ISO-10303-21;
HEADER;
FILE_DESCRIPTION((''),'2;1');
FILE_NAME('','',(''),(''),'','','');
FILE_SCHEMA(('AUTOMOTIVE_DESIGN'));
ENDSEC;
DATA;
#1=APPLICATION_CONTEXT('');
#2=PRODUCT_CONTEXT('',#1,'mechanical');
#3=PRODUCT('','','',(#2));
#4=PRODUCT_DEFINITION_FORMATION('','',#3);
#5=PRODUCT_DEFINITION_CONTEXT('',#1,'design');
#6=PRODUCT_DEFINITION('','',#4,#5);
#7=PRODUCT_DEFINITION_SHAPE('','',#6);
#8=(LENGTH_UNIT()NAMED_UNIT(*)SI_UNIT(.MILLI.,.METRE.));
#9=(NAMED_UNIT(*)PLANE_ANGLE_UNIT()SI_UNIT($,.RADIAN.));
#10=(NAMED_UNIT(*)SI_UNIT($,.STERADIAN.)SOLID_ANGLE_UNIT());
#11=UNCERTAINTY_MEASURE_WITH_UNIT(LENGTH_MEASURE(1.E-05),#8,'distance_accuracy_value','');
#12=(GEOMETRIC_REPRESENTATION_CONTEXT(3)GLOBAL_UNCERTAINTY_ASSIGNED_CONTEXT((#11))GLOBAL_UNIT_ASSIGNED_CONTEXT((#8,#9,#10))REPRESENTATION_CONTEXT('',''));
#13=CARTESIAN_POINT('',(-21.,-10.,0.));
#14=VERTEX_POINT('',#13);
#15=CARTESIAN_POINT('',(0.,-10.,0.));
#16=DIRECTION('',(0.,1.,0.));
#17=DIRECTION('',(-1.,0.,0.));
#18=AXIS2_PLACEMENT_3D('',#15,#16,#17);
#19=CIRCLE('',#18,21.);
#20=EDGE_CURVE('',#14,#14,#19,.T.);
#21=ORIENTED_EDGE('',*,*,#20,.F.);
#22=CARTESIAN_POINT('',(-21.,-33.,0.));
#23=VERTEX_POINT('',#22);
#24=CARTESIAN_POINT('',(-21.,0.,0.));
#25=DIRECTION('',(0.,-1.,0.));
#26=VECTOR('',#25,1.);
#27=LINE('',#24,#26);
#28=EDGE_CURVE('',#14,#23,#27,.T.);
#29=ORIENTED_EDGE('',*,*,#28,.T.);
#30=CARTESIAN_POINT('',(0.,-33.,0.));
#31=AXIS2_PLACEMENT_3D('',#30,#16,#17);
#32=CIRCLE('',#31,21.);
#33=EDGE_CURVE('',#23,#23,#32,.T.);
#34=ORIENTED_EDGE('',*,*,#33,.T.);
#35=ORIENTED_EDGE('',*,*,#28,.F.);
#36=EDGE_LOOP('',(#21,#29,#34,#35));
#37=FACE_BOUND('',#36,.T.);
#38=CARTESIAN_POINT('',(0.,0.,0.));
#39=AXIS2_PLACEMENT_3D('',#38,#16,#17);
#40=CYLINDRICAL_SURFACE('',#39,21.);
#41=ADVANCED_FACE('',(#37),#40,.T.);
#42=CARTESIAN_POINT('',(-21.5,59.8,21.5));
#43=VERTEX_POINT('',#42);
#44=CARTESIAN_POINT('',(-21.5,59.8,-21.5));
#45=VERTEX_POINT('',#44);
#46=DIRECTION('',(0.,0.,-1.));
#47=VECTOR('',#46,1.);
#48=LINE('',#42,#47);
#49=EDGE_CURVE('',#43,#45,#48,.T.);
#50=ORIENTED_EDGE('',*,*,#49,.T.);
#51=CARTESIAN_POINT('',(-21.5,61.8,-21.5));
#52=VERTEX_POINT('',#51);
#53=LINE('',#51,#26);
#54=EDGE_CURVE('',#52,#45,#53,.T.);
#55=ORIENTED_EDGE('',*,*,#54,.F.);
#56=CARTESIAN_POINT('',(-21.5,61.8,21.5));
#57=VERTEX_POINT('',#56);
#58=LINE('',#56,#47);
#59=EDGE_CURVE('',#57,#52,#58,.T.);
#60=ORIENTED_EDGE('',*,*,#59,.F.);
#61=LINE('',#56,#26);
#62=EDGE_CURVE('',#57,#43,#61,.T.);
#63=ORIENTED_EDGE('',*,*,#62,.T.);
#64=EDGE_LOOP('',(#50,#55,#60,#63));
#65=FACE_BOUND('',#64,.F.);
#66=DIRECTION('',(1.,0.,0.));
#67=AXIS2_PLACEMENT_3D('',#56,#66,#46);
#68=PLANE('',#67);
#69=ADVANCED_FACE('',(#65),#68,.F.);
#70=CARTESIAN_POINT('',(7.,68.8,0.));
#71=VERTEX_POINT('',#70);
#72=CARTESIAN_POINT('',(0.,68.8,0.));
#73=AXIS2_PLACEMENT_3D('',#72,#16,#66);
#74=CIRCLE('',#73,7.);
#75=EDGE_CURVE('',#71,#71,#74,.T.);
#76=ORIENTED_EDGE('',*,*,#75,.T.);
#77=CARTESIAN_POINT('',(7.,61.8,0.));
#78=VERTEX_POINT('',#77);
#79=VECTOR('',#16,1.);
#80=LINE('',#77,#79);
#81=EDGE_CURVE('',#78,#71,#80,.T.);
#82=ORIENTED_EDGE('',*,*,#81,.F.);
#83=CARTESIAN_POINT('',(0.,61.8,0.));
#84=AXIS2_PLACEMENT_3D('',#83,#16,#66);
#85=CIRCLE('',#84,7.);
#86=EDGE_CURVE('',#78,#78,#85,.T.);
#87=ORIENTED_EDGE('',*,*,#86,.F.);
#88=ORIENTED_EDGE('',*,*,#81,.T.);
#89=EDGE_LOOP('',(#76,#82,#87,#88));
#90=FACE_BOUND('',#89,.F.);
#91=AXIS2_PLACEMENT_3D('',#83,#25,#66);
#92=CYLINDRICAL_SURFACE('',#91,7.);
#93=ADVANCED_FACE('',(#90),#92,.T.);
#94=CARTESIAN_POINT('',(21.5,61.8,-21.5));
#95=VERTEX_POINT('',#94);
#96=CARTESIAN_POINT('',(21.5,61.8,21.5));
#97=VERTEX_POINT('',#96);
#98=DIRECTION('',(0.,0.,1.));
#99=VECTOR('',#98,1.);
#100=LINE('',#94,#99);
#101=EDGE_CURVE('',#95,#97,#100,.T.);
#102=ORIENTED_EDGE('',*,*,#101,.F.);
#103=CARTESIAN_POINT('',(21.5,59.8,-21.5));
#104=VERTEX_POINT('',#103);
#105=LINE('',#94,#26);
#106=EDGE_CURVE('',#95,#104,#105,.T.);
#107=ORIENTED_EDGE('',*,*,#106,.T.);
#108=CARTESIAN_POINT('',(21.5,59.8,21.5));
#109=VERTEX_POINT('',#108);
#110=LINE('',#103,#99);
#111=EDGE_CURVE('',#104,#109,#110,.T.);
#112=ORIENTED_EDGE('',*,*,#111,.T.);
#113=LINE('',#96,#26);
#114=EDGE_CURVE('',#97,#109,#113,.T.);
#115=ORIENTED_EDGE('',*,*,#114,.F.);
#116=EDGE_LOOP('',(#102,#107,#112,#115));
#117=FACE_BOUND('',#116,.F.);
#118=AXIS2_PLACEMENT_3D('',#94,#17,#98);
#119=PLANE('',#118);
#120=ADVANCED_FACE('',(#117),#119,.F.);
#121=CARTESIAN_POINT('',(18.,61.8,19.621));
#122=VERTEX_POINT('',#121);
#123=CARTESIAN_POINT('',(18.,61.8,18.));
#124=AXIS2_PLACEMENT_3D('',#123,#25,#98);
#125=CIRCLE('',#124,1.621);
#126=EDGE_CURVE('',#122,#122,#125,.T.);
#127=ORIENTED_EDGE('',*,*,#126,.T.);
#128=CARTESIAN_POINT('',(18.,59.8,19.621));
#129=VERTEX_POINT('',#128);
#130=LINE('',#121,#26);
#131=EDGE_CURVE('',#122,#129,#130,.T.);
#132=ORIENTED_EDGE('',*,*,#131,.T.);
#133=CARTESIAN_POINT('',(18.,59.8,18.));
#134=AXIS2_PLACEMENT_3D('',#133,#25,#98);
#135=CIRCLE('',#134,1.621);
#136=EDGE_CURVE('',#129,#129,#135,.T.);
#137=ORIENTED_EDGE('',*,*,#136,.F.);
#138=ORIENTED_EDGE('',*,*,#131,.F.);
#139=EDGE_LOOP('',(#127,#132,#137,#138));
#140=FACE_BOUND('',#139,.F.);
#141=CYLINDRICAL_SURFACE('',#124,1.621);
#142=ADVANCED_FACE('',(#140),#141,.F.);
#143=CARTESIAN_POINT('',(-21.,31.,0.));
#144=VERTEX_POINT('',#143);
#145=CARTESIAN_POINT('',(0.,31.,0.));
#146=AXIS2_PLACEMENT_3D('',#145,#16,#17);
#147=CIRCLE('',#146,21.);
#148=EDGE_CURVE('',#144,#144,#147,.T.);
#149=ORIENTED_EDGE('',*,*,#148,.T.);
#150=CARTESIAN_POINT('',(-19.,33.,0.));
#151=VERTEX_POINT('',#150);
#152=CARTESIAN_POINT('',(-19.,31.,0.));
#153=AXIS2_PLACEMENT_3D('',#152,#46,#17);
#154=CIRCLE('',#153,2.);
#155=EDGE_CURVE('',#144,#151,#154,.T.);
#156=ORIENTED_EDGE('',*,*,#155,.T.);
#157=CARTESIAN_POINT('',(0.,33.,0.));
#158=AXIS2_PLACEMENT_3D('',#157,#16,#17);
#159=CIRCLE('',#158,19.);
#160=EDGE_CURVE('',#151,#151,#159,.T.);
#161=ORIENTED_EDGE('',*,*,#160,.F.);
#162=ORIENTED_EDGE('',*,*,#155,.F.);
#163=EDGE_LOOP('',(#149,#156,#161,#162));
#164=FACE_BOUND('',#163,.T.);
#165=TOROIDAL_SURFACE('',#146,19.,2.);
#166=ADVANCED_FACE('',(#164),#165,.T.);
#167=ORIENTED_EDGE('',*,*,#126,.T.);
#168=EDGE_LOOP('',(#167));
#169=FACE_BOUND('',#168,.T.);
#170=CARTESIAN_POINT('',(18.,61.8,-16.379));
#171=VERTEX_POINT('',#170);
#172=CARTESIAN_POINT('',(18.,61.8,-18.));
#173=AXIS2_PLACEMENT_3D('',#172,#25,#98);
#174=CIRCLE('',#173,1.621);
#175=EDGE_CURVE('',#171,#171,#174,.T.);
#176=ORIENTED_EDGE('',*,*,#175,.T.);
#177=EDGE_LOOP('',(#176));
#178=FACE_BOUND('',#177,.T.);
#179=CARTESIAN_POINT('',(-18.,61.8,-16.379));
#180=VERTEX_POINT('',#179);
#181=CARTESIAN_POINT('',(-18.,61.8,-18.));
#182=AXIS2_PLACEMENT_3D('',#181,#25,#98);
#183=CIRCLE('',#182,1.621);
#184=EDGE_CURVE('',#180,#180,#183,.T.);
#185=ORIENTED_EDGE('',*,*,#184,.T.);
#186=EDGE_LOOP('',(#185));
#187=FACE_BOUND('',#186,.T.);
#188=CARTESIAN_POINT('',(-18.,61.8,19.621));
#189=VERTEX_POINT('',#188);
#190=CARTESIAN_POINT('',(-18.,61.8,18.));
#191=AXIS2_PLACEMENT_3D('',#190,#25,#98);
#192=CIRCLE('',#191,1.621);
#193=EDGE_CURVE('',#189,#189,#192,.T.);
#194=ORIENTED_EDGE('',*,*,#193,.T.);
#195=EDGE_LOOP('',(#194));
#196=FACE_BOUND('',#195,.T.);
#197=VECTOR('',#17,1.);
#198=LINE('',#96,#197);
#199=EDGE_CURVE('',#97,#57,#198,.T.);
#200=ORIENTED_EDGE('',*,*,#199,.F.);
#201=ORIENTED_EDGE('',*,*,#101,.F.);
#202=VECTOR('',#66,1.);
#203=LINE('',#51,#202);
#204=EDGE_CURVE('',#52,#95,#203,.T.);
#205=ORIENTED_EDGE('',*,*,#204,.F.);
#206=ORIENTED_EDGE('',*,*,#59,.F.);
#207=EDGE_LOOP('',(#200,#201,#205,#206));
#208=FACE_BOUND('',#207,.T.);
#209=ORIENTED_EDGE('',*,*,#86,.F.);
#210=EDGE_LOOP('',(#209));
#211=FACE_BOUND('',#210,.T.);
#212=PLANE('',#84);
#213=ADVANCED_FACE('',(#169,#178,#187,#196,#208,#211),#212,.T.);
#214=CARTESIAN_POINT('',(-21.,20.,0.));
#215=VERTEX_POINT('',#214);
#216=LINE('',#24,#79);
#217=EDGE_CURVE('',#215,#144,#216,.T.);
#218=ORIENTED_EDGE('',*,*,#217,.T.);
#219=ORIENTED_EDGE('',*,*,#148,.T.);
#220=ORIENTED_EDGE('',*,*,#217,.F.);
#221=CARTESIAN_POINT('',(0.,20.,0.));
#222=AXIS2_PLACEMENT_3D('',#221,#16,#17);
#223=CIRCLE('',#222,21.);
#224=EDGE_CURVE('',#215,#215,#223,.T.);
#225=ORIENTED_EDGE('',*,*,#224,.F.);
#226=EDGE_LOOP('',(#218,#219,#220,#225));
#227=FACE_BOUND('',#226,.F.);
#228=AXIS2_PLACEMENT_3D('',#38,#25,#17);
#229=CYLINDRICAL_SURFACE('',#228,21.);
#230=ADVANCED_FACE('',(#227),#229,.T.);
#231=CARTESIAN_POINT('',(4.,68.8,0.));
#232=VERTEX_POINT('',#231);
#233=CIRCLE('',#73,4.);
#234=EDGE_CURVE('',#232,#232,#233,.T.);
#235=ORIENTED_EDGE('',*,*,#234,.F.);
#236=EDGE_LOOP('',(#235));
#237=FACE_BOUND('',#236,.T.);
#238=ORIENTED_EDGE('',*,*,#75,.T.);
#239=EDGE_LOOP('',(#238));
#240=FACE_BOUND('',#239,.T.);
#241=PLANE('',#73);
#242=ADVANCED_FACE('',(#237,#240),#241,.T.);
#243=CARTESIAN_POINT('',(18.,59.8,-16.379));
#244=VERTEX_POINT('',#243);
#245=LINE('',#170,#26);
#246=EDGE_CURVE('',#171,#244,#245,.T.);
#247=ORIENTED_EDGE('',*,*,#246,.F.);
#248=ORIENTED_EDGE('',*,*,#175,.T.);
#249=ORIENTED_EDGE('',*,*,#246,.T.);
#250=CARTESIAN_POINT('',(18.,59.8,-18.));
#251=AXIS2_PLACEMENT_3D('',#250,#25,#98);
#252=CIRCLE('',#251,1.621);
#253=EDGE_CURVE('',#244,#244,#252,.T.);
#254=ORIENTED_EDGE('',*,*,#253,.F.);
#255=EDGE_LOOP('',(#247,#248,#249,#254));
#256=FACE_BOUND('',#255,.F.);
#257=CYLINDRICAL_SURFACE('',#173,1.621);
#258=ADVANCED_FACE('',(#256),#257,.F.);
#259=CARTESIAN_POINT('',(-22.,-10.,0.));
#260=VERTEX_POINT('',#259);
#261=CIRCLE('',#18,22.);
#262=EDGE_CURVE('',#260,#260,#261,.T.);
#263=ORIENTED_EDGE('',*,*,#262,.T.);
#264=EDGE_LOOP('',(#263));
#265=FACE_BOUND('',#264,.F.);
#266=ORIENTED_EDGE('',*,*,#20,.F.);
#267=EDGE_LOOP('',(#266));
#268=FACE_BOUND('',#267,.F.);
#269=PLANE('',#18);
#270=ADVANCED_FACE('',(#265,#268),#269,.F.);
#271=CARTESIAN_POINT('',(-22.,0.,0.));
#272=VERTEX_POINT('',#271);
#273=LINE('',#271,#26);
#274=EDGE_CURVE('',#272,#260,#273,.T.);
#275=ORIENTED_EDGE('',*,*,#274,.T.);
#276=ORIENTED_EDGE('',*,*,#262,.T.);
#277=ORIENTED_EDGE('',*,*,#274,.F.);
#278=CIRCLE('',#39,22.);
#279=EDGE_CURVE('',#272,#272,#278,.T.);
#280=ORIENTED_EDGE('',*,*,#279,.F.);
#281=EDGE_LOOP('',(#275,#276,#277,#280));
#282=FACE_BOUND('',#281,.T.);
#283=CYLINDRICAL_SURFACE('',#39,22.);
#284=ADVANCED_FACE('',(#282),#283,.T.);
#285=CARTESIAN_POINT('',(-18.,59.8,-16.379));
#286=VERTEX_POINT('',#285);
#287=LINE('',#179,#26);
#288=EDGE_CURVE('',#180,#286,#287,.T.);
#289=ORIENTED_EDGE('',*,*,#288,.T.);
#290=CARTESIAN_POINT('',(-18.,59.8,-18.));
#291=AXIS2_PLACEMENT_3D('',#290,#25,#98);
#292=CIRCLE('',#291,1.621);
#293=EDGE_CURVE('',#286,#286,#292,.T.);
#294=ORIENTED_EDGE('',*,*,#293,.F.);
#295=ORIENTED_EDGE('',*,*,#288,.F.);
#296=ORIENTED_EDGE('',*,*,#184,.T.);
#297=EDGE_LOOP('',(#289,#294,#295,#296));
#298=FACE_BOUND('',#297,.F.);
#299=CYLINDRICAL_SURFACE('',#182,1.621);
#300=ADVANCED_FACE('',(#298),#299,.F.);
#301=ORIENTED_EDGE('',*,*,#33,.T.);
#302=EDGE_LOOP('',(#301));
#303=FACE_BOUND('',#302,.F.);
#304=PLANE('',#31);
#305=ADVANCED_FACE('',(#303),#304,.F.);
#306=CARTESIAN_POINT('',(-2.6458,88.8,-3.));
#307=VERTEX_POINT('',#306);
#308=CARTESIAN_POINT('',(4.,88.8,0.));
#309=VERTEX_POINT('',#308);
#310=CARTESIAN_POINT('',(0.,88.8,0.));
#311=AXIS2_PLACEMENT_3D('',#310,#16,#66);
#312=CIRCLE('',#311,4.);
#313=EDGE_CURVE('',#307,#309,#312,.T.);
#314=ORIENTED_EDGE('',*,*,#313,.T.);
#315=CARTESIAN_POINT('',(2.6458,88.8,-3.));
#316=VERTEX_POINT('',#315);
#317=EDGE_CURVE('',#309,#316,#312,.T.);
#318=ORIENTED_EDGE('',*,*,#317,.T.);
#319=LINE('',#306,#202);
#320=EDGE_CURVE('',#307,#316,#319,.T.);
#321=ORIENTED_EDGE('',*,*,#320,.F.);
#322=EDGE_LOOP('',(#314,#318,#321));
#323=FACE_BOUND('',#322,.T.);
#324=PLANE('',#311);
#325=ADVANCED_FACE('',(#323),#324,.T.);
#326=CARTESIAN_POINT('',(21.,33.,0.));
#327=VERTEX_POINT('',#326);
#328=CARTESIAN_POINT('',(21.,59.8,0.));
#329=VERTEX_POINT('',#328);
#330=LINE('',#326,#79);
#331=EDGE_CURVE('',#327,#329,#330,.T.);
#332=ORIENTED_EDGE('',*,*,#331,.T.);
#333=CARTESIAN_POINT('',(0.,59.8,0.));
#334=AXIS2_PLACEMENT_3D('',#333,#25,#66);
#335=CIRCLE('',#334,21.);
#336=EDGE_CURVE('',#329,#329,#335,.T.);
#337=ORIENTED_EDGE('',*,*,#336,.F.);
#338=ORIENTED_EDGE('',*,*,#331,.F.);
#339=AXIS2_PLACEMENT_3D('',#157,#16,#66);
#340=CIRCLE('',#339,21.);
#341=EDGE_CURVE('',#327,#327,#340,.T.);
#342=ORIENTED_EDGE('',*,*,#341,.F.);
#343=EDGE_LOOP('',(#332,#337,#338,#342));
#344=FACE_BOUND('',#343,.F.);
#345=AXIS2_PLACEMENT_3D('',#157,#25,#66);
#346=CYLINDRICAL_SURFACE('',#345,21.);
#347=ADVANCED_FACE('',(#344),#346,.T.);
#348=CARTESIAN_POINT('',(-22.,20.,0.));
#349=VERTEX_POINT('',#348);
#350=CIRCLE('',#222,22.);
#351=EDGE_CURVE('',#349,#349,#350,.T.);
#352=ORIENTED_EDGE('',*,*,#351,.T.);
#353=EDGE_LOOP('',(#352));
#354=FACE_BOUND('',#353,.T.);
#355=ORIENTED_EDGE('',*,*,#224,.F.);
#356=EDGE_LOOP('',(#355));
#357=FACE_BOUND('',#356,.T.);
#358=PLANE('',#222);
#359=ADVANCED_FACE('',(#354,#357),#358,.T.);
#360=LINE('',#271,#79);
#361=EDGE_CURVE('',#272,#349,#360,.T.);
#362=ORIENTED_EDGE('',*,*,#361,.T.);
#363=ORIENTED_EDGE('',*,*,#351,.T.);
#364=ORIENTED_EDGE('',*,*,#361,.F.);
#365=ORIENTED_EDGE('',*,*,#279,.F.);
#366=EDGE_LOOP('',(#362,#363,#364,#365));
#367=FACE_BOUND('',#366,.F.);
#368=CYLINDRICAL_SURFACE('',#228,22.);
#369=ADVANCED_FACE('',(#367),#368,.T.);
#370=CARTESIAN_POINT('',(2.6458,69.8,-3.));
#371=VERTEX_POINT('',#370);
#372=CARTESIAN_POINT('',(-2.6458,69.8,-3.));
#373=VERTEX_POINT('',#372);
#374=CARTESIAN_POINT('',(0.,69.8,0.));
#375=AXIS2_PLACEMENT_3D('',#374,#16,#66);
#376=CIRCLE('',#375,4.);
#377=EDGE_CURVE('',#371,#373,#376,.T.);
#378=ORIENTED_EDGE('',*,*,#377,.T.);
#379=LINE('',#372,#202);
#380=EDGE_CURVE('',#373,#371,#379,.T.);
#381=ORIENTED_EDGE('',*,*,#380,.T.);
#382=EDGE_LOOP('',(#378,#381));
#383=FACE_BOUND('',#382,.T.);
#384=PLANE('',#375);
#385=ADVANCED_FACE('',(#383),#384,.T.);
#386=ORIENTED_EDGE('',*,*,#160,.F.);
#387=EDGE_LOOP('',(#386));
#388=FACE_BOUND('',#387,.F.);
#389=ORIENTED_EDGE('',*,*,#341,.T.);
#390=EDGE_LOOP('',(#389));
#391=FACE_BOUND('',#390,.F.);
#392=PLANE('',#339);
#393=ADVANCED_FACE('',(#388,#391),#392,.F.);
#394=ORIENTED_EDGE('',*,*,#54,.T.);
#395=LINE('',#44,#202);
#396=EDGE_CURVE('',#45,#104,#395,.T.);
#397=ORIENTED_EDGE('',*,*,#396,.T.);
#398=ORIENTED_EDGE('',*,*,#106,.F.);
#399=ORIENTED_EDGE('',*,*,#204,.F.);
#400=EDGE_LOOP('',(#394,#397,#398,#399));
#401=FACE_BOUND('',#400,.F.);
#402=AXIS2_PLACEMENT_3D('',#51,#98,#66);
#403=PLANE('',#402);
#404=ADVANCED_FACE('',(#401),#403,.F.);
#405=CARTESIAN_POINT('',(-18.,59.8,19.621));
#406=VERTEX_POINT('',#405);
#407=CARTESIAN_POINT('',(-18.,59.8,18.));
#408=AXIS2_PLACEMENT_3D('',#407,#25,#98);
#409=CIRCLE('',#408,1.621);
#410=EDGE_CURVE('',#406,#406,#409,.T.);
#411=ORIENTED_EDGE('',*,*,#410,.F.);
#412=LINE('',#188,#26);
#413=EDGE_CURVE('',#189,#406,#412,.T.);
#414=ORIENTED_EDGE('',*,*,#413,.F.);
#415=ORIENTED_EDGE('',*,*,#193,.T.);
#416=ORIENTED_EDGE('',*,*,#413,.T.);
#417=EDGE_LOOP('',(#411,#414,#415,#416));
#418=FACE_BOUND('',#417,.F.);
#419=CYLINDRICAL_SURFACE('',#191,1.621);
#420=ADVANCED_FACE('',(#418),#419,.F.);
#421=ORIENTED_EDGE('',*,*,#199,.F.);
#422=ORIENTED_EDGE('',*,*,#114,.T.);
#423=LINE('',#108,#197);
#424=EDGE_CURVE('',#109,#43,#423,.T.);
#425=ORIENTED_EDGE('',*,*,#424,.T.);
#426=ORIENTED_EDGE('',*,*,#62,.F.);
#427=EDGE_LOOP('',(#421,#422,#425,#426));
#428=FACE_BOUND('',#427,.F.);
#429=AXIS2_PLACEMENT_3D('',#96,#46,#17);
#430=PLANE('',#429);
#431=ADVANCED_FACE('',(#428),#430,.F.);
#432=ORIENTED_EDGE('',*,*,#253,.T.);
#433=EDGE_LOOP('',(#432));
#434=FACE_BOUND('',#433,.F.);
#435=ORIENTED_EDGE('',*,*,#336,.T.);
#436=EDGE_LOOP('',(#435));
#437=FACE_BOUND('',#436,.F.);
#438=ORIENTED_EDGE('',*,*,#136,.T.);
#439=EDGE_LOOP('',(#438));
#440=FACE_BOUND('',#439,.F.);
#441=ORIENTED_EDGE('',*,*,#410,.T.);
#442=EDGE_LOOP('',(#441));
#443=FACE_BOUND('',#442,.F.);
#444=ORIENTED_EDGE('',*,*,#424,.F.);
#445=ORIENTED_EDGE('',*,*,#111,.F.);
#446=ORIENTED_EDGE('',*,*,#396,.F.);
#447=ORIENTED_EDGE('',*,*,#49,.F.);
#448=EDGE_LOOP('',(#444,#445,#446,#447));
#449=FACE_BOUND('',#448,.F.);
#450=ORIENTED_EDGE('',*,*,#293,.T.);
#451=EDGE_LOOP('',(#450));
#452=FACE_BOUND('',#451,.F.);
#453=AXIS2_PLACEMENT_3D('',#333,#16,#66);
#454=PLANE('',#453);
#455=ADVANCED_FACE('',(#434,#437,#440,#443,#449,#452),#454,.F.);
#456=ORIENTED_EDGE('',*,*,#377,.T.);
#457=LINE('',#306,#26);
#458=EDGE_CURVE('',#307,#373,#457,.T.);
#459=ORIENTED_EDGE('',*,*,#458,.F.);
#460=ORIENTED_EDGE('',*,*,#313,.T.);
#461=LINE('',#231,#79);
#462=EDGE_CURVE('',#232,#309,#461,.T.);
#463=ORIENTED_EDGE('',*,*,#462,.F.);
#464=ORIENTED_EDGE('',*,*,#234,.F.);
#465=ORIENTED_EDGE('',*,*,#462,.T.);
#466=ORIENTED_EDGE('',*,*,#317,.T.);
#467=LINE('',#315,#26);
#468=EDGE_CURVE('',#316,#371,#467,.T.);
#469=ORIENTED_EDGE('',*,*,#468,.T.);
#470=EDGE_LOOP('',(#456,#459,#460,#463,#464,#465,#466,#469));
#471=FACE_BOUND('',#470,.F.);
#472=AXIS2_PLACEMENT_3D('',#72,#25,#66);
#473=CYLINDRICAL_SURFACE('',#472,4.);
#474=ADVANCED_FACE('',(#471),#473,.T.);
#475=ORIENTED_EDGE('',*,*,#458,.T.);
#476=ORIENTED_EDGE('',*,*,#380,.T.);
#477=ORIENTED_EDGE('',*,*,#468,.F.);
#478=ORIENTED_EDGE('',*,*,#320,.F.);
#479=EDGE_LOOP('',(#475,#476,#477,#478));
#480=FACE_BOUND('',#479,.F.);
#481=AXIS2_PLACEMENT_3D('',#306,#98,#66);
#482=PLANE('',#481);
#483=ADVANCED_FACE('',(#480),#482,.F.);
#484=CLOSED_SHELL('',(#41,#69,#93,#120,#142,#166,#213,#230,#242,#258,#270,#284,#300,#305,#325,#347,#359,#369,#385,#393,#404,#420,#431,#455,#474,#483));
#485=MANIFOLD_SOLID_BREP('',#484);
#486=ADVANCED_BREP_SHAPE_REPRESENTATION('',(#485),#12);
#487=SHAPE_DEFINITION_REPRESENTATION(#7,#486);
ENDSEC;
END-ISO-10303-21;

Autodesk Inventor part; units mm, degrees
ref_plane "YZ Plane" through (0, 0, 0) normal (1, 0, 0) x (0, 1, 0)
ref_plane "XZ Plane" through (0, 0, 0) normal (0, 1, 0) x (-1, 0, 0)
sketch "Sketch1" plane through (0, 0, 0) normal (0, 1, 0) x (-1, 0, 0)
  circle A0 centre (0, 0) radius 21
  circle A1 centre (0, 0) radius 22
  dimension "d0" = 42
  dimension "d105" = 44
extrude "Extrusion1" add sketch "Sketch1" along normal mid plane 66 contours A0
fillet "Fillet1" radius 2 1 edges at (21, 33, 0)
sketch "Sketch2" plane through (0, 33, 0) normal (0, 1, 0) x (1, 0, 0)
  circle A0 centre (0, 0) radius 21
  dimension "d4" = 42
extrude "Extrusion2" add sketch "Sketch2" along normal blind 28.8
sketch "Sketch14" plane through (0, 61.8, 0) normal (0, 1, 0) x (1, 0, 0)
  line L0 (-21.5, 21.5) -> (21.5, 21.5)
  line L1 (21.5, 21.5) -> (21.5, -21.5)
  line L2 (21.5, -21.5) -> (-21.5, -21.5)
  line L3 (-21.5, -21.5) -> (-21.5, 21.5)
  line L4 (-21.5, 21.5) -> (21.5, -21.5) construction
  line L5 (21.5, 21.5) -> (-21.5, -21.5) construction
  point P0 (0, 0)
  dimension "d81" = 43
  dimension "d82" = 43
extrude "Extrusion13" add sketch "Sketch14" against normal blind 2
sketch "Sketch15" plane through (0, 61.8, 0) normal (0, 1, 0) x (1, 0, 0)
  point P0 (0, 0)
  point P1 (-18, 18)
  point P2 (18, 18)
  point P3 (18, -18)
  point P4 (-18, -18)
  dimension "d85" = 36
  dimension "d86" = 36
  dimension "d87" = 18
  dimension "d88" = 18
hole "Hole2" at (-18, 61.8, -18) at (18, 61.8, -18) at (18, 61.8, 18) at (-18, 61.8, 18) direction (0, -1, 0) diameter 3.242 end through all thread size "M4x0.7" class "6H" standard "ISO Metric profile"
sketch "Sketch16" plane through (0, 61.8, 0) normal (0, 1, 0) x (1, 0, 0)
  point P0 (0, 0)
sketch "Sketch17" plane through (0, 61.8, 0) normal (0, 1, 0) x (1, 0, 0)
  circle A0 centre (0, 0) radius 7
  dimension "d96" = 14
extrude "Extrusion14" add sketch "Sketch17" along normal blind 7
sketch "Sketch18" plane through (0, 68.8, 0) normal (0, 1, 0) x (1, 0, 0)
  circle A0 centre (0, 0) radius 4
  dimension "d99" = 8
extrude "Extrusion15" add sketch "Sketch18" along normal blind 20
sketch "Sketch19" plane through (0, 88.8, 0) normal (0, 1, 0) x (1, 0, 0)
  circle A0 centre (0, 0) radius 4 projected
  line L0 (-2.6458, 3) -> (2.6458, 3)
  dimension "d102" = 3
extrude "Extrusion16" cut sketch "Sketch19" against normal blind 19 contours L0 A0 picked at (-0.6179, 3.1815)
extrude "Extrusion17" add sketch "Sketch1" along normal blind 20 and the other way blind 10
ref_plane "Work Plane3" through (21, 33, 0) normal (1, 0, 0) x (0, 0, -1)
sketch "Sketch20" plane through (21, 33, 0) normal (1, 0, 0) x (0, 0, -1)
  line L0 (20.5, 25.8) -> (20.5, 2.0287) construction
  line L1 (20.5, 2.0287) -> (-20.5, 2.0287) construction
  line L2 (-20.5, 2.0287) -> (-20.5, 25.8) construction
  line L3 (-20.5, 25.8) -> (20.5, 25.8) construction
  line L4 (21.5, 28.8) -> (21.5, 26.8) projected
  line L5 (-21.5, 28.8) -> (-21.5, 26.8) projected
  line L6 (21.5, 26.8) -> (-21.5, 26.8) projected
  point P0 (0, -33)
  dimension "d123" = 1
  dimension "d124" = 1
  dimension "d125" = 1
decal "Decal2"
properties part number "HCMUTE-CDT23-MOTOR_DC24V-100RPM-XD42GA775"
